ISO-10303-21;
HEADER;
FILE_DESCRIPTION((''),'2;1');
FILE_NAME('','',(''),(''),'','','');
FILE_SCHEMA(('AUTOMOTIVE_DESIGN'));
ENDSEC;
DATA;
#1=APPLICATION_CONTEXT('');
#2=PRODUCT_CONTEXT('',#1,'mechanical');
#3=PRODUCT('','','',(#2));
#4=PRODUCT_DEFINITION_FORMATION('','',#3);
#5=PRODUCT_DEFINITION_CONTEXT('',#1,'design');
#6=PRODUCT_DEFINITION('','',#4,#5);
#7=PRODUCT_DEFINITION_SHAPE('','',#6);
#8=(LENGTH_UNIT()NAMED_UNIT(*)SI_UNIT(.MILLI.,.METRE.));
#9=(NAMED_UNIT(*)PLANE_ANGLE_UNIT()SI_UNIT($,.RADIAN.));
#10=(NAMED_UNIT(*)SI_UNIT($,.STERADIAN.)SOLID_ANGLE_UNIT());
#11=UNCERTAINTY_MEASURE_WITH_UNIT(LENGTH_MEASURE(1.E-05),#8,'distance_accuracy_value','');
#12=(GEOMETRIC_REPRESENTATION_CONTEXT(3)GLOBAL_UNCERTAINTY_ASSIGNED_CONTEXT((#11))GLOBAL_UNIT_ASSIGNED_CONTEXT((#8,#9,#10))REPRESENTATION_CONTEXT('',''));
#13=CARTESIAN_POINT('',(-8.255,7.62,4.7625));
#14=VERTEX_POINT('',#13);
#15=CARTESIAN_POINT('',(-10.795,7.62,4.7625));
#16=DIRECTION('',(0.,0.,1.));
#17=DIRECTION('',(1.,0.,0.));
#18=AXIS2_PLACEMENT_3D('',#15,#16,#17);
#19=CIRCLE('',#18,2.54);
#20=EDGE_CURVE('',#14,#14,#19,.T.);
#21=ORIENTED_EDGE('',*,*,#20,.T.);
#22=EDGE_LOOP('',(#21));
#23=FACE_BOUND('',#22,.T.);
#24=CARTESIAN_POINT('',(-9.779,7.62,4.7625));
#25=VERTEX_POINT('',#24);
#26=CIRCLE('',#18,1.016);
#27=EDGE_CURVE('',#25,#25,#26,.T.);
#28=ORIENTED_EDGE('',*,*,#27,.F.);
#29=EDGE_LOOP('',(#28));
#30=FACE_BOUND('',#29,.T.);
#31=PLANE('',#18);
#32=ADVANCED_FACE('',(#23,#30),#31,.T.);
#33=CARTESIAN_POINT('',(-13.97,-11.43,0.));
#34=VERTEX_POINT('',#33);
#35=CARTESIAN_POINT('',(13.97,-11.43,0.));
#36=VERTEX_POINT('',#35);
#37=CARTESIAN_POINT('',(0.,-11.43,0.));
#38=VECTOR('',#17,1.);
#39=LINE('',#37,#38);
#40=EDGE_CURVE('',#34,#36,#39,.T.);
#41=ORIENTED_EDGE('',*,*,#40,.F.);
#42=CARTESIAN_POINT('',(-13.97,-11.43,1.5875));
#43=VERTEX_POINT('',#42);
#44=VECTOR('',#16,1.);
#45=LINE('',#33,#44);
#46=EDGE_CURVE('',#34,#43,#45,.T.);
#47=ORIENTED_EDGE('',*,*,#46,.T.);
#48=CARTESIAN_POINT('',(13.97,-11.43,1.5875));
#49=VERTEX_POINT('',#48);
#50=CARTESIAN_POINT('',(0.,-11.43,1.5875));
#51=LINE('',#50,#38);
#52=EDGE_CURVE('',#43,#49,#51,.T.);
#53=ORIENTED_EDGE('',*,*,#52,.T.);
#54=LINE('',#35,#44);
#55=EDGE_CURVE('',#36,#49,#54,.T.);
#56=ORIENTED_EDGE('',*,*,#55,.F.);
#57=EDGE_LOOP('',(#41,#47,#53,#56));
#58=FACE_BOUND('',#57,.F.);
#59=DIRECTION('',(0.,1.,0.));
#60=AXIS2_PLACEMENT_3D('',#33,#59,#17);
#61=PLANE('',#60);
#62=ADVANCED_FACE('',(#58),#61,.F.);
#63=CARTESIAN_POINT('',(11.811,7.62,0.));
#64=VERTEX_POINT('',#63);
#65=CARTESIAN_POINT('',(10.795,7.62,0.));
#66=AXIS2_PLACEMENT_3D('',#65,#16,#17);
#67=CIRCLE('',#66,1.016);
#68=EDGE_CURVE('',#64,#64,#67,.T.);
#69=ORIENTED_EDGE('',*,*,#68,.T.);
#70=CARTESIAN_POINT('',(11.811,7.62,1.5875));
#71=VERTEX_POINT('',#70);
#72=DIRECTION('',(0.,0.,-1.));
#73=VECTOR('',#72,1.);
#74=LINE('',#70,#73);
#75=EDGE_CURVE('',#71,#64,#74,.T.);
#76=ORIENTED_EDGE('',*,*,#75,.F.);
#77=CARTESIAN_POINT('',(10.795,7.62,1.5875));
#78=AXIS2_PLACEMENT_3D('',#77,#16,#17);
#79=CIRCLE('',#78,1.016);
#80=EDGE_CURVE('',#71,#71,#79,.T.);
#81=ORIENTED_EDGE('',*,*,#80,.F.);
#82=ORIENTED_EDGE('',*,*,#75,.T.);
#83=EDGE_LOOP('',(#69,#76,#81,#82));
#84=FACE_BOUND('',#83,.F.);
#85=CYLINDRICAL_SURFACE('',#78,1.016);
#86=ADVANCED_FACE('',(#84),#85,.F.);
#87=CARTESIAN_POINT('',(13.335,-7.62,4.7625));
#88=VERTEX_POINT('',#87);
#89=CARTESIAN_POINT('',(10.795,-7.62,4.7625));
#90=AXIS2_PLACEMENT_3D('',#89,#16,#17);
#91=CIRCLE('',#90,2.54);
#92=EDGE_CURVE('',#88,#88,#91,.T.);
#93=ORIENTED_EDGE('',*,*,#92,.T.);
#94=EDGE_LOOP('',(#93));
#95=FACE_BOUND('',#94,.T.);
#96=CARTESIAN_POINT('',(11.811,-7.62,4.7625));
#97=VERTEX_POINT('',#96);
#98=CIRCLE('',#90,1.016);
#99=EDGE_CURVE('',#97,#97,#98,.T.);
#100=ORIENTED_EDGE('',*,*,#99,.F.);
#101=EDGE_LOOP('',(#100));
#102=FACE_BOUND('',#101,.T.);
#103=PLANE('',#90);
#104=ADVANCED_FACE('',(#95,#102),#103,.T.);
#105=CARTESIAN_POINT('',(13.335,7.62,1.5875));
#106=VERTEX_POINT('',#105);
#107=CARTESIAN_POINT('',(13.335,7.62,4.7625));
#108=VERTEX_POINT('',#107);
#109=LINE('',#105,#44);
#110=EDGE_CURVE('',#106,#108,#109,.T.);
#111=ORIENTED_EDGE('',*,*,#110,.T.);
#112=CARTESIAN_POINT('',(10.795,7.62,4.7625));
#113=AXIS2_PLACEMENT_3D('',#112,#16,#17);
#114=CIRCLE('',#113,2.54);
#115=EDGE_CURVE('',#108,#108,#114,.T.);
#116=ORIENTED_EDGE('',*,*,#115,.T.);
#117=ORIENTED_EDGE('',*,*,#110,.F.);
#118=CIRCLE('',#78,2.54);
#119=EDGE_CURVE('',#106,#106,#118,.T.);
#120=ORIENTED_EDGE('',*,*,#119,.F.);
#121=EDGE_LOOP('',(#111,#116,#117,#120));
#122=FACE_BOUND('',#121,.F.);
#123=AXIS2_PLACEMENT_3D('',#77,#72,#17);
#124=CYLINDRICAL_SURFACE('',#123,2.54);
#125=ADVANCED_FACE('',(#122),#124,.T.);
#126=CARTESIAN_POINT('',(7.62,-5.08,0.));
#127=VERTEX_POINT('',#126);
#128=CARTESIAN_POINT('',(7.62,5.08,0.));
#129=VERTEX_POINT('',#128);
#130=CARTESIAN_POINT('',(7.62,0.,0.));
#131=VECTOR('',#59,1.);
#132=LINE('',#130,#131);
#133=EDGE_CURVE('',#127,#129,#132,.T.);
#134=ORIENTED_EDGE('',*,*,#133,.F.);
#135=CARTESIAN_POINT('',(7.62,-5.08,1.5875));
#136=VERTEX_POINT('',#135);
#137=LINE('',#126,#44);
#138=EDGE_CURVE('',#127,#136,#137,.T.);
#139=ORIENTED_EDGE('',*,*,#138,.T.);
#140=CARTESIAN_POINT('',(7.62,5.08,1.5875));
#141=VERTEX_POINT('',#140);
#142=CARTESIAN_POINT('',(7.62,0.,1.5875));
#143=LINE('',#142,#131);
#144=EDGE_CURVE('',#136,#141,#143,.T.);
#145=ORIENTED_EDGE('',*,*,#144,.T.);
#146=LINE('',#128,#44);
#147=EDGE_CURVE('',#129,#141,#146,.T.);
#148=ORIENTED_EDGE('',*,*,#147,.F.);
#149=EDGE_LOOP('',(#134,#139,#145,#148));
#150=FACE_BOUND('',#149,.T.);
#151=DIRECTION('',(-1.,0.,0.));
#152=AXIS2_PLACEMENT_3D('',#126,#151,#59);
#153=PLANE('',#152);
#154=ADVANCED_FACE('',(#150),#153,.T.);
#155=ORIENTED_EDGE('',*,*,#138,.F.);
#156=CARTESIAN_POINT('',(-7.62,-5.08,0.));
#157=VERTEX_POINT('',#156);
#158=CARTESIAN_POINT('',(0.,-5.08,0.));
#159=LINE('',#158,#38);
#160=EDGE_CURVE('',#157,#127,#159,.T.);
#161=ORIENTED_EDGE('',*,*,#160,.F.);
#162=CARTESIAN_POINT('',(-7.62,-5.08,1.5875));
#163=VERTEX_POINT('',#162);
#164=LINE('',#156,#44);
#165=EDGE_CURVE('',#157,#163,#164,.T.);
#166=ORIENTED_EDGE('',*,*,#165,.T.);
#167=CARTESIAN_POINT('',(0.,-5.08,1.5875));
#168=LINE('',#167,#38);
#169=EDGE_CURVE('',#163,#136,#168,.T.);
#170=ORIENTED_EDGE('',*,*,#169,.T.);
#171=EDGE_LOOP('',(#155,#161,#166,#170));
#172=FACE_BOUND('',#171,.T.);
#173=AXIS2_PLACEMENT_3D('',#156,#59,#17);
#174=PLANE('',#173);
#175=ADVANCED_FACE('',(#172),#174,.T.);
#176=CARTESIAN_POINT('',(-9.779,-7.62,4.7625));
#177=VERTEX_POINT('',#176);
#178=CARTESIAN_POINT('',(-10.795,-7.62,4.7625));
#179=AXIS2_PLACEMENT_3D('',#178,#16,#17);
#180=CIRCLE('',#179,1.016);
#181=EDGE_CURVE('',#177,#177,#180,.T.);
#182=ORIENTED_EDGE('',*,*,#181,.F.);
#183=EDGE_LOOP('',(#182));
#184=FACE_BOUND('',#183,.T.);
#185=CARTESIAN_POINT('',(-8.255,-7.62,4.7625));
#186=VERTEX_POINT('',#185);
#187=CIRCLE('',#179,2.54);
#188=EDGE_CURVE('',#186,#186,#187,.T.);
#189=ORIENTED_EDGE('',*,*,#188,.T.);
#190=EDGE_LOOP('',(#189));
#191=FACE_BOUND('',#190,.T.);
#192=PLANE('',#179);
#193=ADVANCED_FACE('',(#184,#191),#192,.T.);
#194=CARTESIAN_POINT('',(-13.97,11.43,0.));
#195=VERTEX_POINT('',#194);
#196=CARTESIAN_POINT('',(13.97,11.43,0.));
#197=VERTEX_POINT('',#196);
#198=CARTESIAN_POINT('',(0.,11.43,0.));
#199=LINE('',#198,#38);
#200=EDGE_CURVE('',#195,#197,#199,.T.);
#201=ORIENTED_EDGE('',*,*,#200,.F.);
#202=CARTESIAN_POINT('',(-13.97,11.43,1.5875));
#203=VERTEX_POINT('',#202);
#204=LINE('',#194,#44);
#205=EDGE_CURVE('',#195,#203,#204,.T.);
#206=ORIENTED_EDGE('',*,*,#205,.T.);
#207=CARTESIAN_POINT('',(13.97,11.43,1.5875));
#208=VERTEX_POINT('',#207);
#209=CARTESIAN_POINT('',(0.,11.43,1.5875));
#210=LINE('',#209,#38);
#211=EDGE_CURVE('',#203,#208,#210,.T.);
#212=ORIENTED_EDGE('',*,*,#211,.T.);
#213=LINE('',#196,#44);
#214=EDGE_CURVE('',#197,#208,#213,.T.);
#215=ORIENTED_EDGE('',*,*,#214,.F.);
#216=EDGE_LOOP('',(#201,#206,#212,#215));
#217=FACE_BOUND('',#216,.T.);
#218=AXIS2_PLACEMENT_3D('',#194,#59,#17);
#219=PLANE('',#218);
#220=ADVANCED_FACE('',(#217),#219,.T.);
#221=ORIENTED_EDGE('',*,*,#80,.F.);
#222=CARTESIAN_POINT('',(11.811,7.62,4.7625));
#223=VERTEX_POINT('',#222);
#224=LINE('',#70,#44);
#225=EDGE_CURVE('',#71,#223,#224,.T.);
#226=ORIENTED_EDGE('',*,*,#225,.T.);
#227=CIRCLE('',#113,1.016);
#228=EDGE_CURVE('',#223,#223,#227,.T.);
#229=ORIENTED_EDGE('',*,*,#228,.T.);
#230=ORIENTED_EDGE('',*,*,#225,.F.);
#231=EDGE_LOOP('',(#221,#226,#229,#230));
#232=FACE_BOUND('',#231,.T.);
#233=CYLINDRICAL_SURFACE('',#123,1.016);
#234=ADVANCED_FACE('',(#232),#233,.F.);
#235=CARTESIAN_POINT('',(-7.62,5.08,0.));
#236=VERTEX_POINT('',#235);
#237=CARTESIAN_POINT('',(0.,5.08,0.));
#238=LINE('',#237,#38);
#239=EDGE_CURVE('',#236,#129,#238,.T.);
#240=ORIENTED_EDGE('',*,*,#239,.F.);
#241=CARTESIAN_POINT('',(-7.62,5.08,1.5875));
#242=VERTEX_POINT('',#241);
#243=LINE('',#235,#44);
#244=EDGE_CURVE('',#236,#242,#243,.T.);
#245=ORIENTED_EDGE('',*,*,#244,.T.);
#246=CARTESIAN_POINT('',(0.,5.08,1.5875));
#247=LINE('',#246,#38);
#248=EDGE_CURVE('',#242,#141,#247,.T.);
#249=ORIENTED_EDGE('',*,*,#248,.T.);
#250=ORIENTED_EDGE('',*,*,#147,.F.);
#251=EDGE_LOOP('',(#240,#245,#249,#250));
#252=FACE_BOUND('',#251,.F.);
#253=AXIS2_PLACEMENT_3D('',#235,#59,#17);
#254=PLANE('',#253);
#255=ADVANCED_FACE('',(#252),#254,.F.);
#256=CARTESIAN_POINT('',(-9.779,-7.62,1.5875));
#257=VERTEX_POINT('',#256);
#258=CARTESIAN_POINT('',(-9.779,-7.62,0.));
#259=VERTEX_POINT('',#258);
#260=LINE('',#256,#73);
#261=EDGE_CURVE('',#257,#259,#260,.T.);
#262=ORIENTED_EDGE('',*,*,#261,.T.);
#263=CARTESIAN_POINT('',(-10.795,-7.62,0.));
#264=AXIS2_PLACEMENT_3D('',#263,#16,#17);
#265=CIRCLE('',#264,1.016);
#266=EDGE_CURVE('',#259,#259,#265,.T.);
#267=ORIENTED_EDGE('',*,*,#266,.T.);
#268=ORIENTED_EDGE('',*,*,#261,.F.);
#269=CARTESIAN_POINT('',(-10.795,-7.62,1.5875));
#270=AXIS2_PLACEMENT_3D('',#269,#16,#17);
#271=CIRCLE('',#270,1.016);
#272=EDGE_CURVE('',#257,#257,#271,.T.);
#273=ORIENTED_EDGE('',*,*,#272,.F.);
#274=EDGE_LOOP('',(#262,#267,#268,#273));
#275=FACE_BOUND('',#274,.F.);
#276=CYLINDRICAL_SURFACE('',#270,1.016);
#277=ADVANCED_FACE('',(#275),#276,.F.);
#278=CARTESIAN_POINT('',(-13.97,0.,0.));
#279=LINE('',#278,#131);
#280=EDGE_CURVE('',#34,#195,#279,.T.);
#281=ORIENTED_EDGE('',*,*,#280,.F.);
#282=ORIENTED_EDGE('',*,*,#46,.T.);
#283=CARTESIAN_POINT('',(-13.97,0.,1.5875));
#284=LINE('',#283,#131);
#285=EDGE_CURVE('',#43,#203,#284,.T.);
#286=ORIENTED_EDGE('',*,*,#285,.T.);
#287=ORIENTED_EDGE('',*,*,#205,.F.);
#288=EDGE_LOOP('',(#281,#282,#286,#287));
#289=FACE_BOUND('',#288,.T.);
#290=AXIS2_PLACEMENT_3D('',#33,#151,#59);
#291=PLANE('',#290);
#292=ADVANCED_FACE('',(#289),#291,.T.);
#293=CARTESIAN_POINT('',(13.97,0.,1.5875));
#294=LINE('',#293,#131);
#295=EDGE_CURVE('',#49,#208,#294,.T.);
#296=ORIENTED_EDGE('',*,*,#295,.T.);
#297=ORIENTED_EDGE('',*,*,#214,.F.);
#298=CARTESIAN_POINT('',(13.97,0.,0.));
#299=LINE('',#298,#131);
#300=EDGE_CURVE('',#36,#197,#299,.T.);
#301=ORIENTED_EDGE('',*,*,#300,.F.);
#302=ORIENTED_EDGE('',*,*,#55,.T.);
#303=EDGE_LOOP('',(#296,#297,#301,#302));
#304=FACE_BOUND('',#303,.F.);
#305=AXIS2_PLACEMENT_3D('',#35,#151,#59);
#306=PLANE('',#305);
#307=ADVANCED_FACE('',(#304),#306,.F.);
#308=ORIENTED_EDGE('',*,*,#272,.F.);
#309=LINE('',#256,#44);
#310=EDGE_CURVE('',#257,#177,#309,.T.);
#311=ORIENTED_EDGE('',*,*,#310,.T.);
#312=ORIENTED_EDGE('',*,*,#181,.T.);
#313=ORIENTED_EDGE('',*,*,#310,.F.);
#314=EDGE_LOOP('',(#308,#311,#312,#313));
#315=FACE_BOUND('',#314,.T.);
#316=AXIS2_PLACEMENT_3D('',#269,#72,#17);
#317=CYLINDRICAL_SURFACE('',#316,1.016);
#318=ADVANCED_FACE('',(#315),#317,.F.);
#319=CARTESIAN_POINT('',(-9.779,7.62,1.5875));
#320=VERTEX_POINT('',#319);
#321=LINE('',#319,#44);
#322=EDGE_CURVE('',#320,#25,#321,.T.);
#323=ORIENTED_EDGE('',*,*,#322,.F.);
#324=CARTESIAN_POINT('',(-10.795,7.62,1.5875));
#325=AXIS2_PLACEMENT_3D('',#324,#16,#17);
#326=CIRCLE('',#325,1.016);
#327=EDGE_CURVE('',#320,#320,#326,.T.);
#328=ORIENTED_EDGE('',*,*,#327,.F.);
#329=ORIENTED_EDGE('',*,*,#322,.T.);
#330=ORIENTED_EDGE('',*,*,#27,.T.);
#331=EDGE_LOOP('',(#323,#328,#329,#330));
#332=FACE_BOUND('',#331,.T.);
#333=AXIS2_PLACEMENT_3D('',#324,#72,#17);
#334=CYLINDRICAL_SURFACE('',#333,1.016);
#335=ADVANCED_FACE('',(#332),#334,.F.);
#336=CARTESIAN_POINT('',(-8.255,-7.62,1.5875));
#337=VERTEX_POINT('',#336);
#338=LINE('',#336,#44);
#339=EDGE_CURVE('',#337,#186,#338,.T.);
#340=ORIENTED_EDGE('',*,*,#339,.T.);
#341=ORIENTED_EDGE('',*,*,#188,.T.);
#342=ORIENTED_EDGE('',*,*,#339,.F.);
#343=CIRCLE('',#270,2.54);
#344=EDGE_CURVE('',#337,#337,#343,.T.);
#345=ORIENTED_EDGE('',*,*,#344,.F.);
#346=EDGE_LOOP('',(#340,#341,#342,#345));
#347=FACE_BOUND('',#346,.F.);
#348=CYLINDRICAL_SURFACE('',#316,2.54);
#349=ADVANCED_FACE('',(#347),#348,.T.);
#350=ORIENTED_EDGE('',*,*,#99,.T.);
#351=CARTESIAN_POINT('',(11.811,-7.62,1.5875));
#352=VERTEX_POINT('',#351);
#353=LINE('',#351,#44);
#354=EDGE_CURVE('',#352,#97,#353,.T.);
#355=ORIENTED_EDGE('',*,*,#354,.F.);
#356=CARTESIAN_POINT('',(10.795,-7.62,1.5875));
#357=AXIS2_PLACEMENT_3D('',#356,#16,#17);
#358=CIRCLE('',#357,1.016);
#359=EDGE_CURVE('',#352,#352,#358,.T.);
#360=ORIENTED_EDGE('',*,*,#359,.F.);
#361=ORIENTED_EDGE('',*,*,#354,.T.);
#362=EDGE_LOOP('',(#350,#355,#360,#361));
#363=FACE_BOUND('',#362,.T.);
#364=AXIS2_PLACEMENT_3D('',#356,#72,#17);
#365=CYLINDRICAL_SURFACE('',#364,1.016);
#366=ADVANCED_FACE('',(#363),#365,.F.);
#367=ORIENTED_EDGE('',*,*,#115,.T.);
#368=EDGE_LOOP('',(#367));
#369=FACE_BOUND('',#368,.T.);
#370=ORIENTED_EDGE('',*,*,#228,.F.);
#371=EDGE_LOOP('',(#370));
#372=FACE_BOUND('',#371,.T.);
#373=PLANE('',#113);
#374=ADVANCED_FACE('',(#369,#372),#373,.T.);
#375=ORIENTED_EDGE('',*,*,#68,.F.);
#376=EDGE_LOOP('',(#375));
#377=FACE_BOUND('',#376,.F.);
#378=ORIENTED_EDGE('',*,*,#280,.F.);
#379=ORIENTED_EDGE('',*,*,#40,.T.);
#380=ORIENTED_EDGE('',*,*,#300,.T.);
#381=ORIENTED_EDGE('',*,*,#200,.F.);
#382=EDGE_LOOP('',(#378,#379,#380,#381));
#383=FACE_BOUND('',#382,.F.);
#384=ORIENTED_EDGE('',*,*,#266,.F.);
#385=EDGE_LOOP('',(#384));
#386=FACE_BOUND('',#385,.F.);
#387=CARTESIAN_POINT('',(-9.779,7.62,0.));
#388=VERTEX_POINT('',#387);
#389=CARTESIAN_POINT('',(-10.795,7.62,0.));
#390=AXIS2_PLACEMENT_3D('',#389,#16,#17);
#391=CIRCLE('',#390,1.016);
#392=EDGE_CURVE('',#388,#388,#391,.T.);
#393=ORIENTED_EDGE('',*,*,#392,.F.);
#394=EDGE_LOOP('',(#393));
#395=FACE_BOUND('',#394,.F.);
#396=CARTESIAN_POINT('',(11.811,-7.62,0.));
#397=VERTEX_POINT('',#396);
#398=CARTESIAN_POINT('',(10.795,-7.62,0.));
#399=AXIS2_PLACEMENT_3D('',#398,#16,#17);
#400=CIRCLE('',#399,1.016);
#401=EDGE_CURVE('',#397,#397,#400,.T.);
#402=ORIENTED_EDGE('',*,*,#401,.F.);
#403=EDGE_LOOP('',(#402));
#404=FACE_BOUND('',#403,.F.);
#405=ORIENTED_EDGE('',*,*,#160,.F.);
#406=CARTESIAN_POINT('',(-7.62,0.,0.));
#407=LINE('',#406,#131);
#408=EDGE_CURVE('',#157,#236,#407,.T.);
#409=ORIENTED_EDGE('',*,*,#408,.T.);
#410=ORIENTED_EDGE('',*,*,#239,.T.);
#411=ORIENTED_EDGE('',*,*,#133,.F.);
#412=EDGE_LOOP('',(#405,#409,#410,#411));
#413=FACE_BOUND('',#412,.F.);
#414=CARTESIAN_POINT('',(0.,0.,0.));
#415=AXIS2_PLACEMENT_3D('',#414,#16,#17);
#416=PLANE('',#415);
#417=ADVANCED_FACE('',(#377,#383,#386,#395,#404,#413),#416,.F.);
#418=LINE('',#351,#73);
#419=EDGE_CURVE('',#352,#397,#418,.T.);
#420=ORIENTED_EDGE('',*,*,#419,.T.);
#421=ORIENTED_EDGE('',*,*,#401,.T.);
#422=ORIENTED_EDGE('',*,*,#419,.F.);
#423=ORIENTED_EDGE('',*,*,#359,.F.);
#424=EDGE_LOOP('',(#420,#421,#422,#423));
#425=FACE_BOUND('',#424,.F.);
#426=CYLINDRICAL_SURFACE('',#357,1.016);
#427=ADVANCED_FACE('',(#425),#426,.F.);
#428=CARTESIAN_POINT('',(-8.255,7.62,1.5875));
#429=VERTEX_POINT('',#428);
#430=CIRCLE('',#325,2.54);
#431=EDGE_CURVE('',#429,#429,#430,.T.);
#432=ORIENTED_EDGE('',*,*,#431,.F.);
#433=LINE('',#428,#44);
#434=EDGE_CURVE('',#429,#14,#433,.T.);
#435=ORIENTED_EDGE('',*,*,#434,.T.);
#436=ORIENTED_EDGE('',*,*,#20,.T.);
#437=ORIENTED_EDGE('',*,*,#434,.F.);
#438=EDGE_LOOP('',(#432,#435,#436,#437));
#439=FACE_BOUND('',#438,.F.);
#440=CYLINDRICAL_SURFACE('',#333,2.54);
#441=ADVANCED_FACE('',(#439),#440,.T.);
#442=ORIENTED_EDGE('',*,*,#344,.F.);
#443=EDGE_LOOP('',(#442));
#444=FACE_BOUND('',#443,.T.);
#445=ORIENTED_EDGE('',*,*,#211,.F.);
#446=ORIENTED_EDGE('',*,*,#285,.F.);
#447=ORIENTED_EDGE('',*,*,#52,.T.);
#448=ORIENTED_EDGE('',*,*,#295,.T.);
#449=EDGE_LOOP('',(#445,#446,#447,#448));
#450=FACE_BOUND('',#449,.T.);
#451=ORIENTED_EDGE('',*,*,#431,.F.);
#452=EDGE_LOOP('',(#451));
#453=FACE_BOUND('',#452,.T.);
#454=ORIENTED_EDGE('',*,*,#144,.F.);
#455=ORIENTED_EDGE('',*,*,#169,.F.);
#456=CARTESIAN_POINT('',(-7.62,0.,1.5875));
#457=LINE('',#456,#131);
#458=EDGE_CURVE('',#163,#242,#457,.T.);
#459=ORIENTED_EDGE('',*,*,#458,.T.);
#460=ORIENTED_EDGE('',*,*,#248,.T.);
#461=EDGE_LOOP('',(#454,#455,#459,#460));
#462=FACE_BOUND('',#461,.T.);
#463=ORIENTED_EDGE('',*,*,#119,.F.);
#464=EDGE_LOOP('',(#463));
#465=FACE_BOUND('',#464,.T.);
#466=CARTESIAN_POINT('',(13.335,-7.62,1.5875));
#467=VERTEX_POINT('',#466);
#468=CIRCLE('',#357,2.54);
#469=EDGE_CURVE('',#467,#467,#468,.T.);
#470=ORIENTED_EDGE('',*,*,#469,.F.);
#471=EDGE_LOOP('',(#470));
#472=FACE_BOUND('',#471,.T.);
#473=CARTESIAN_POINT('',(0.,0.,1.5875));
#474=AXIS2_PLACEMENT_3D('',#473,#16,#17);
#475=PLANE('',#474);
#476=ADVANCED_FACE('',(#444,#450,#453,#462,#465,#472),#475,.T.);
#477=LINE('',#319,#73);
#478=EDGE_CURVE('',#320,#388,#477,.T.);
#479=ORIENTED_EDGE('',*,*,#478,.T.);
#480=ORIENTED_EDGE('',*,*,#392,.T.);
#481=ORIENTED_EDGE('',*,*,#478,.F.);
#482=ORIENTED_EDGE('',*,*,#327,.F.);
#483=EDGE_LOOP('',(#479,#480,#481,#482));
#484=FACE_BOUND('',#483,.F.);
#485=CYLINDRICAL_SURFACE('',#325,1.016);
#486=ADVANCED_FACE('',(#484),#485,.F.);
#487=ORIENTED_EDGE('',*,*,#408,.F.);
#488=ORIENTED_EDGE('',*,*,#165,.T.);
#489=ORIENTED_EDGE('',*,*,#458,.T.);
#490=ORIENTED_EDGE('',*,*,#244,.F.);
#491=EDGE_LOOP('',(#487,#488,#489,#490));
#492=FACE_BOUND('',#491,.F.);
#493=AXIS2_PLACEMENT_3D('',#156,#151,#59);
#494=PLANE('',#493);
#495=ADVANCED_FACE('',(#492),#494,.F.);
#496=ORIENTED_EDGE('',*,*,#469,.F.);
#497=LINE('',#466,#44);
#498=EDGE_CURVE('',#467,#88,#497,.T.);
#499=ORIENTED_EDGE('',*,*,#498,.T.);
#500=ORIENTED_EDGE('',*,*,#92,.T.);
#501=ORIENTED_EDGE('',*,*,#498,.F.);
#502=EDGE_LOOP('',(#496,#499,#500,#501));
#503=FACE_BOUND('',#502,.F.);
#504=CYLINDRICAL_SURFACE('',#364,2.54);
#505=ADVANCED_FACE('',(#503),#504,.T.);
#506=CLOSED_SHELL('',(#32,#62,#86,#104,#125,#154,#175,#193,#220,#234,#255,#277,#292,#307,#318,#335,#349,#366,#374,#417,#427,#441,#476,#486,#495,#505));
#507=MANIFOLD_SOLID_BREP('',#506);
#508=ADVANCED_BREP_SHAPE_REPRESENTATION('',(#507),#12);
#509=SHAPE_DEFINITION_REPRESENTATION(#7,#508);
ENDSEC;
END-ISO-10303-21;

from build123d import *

# Parameters (mm, degrees)
F0_W     = 27.94
F0_H     = 22.86
F0_W_2   = 15.24
F0_H_2   = 10.16
F1_DEPTH = 1.5875
F2_R     = 2.54
F2_R_2   = 1.016
F3_DEPTH = 3.175
F4_DEPTH = 25.4


with BuildPart() as f1:
    # F0 (on Top) → F1 (new body)
    with BuildSketch(Plane.XY):
        Rectangle(F0_W, F0_H)
        Rectangle(F0_W_2, F0_H_2, mode=Mode.SUBTRACT)
    extrude(amount=F1_DEPTH)

    # F2 (on face) → F3 (join)
    with BuildSketch(Plane.XY.offset(1.5875)):
        with Locations((-10.795, -7.62)):
            Circle(F2_R)
        with Locations((-10.795, -7.62)):
            Circle(F2_R_2, mode=Mode.SUBTRACT)
        with Locations((-10.795, 7.62)):
            Circle(F2_R)
        with Locations((-10.795, 7.62)):
            Circle(F2_R_2, mode=Mode.SUBTRACT)
        with Locations((10.795, -7.62)):
            Circle(F2_R)
        with Locations((10.795, -7.62)):
            Circle(F2_R_2, mode=Mode.SUBTRACT)
        with Locations((10.795, 7.62)):
            Circle(F2_R)
        with Locations((10.795, 7.62)):
            Circle(F2_R_2, mode=Mode.SUBTRACT)
    extrude(amount=F3_DEPTH)

    # F2 (on face) → F4 (cut)
    with BuildSketch(Plane.XY.offset(1.5875)):
        with Locations((10.795, -7.62)):
            Circle(F2_R_2)
        with Locations((10.795, 7.62)):
            Circle(F2_R_2)
        with Locations((-10.795, 7.62)):
            Circle(F2_R_2)
        with Locations((-10.795, -7.62)):
            Circle(F2_R_2)
    extrude(amount=-F4_DEPTH, mode=Mode.SUBTRACT)


solid = f1.part
